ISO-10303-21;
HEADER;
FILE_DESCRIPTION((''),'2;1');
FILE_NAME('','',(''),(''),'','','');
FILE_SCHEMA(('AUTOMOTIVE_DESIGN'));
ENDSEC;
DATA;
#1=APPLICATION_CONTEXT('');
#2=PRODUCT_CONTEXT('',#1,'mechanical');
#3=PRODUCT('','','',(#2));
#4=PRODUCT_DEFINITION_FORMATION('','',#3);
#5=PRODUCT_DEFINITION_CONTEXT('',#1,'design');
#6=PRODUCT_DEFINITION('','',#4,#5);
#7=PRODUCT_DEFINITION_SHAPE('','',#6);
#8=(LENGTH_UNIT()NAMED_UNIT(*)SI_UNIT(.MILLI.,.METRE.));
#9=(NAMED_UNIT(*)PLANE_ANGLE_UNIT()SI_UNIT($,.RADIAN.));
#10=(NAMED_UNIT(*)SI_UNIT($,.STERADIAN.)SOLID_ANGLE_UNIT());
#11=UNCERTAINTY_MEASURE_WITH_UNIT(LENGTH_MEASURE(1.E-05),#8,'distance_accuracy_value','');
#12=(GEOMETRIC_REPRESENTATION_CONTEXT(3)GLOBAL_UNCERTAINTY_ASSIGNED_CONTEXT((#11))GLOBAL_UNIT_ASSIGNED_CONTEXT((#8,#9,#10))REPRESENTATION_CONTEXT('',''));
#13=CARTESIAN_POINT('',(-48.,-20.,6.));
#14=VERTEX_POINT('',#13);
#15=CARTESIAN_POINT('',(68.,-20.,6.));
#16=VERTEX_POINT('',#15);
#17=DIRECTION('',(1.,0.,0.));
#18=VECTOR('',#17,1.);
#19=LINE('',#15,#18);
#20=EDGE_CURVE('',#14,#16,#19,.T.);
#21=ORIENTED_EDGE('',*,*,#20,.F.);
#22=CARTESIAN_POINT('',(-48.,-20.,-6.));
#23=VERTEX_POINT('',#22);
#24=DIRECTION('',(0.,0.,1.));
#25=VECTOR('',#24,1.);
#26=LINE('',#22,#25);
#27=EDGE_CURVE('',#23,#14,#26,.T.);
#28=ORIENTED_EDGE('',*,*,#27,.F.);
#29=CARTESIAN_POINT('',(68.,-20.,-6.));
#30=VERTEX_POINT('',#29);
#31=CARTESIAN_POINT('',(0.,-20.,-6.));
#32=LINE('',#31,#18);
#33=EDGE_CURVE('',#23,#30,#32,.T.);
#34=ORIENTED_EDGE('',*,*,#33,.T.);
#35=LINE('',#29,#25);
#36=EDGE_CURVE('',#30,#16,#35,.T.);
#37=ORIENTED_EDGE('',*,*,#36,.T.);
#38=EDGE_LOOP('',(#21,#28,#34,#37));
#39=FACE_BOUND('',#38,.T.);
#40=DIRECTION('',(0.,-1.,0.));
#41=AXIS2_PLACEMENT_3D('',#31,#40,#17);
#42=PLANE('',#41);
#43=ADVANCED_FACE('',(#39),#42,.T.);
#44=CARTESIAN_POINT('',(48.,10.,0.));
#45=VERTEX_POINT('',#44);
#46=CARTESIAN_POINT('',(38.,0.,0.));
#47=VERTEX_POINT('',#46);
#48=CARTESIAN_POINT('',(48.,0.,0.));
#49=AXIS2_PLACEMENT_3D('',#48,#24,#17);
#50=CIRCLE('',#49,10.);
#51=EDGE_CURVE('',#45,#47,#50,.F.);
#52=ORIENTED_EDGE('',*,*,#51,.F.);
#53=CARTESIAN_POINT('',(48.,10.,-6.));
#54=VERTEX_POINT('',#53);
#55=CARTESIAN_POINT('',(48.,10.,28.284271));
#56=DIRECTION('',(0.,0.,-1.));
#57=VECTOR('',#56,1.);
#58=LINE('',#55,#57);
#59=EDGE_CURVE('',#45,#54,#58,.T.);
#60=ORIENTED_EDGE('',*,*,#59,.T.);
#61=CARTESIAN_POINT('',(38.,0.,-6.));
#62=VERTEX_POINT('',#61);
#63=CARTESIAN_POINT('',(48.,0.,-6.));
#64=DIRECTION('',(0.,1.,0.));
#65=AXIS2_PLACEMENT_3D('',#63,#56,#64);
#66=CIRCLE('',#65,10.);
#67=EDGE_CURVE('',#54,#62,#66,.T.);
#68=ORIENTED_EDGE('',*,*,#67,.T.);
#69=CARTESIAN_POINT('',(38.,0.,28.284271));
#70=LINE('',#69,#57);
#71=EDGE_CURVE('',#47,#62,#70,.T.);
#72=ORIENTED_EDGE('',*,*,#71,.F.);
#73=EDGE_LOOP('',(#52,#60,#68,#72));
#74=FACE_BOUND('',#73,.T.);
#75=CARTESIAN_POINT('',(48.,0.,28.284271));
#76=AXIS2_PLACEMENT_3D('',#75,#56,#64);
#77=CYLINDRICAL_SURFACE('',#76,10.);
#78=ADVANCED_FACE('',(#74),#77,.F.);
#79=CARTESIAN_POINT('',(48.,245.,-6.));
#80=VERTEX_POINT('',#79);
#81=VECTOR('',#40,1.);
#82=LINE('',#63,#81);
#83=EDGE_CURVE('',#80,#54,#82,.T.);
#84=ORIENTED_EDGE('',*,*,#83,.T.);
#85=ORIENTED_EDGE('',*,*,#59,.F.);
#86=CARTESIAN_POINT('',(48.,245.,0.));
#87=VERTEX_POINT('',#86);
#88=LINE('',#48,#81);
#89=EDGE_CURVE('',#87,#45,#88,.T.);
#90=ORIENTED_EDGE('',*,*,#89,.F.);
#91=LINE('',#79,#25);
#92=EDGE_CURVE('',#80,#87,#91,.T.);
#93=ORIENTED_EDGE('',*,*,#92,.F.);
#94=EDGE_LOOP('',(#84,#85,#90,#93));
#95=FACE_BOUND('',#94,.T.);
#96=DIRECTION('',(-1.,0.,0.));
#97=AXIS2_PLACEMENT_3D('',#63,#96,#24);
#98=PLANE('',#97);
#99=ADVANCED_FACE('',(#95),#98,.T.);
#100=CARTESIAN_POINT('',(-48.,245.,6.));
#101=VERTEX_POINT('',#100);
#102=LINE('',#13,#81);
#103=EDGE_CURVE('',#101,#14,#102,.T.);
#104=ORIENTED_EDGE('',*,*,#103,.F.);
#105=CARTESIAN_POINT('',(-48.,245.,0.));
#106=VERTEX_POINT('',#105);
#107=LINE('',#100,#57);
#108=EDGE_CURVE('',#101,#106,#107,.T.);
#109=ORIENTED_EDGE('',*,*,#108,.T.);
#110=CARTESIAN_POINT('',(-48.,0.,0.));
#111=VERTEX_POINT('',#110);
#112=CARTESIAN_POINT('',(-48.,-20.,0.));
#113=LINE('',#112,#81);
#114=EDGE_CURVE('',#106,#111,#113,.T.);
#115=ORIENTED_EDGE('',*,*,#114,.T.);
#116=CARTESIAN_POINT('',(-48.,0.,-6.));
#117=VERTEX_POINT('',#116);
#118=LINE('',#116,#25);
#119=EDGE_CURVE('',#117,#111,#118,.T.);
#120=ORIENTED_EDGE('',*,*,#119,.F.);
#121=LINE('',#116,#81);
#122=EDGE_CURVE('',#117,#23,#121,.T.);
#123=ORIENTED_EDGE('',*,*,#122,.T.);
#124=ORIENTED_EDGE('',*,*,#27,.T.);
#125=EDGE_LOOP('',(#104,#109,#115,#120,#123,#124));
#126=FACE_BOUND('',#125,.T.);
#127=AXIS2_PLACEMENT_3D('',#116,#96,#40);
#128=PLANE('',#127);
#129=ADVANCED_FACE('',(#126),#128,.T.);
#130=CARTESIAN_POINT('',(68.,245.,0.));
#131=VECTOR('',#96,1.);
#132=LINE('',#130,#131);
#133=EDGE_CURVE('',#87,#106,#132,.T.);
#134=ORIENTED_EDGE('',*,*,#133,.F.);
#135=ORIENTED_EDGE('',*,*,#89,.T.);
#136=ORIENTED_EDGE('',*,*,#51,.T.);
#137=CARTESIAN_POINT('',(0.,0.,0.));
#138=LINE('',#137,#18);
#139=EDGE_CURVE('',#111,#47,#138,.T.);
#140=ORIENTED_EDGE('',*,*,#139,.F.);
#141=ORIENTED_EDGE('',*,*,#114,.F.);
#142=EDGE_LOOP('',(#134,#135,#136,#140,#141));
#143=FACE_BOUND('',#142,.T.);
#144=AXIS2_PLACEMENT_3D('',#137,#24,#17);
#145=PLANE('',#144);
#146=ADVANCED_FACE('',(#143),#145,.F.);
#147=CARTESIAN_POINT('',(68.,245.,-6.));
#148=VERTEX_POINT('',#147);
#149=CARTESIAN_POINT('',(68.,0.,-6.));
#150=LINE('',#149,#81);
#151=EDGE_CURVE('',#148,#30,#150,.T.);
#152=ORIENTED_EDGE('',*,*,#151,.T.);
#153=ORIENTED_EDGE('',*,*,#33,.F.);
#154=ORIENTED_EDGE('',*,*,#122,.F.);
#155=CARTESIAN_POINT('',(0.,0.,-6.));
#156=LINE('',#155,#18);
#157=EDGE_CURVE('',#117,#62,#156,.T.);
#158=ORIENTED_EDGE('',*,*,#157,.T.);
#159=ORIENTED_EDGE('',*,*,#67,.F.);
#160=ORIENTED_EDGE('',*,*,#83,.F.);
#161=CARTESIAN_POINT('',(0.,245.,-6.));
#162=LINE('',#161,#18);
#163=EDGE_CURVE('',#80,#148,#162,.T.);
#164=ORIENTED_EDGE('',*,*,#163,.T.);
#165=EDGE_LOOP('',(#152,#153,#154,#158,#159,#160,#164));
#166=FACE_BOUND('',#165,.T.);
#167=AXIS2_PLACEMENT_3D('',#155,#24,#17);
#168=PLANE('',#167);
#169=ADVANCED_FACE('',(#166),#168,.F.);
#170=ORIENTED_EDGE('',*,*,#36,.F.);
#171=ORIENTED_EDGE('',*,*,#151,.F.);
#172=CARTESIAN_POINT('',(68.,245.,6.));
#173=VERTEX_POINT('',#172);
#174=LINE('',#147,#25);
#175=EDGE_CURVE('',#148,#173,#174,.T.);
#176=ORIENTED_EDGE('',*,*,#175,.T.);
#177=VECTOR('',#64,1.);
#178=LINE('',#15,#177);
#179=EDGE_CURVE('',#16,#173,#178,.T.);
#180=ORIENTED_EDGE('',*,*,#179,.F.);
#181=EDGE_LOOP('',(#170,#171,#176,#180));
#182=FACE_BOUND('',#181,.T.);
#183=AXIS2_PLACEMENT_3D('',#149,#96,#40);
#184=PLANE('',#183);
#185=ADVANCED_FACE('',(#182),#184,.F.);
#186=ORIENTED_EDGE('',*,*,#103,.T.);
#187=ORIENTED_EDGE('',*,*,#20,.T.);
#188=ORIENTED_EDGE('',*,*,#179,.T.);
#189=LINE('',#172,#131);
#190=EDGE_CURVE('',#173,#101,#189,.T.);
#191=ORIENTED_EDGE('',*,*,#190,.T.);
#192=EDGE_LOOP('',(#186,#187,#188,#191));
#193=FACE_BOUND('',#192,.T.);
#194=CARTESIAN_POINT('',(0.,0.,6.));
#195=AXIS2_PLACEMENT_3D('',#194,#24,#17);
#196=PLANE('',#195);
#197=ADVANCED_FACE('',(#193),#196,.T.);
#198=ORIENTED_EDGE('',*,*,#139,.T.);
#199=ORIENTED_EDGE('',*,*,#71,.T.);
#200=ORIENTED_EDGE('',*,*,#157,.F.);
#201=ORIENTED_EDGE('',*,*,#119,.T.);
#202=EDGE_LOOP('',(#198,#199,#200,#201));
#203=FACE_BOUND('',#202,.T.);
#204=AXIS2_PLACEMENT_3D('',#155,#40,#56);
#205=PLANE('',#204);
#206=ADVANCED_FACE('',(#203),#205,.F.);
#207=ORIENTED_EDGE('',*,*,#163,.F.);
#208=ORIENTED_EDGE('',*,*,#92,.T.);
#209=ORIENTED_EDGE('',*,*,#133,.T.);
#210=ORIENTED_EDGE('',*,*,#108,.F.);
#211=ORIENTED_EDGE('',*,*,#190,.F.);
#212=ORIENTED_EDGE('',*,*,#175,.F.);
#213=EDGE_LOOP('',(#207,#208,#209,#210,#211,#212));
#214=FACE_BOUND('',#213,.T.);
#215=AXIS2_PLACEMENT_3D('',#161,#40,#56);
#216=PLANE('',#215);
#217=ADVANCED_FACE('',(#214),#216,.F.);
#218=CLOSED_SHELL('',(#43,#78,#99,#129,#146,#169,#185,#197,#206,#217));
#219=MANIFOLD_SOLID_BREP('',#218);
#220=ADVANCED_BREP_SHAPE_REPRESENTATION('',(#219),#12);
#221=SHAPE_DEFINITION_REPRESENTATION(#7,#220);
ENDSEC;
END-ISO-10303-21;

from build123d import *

# Parameters (mm, degrees)
BOSS_EXTRUDE1_DEPTH = 6
SKETCH2_W           = 116
SKETCH2_H           = 265
BOSS_EXTRUDE2_DEPTH = 6
SKETCH3_R           = 10
CUT_EXTRUDE1_DEPTH  = 6


with BuildPart() as part:
    # Sketch1 → Boss-Extrude1 (new body)
    with BuildSketch(Plane.XY):
        Polygon((68, 245), (48, 245), (48, 0), (-48, 0), (-48, -20), (68, -20), align=None)
    extrude(amount=-BOSS_EXTRUDE1_DEPTH)

    # Sketch2 → Boss-Extrude2 (add)
    with BuildSketch(Plane.XY):
        with Locations((10, 112.5)):
            Rectangle(SKETCH2_W, SKETCH2_H)
    extrude(amount=BOSS_EXTRUDE2_DEPTH)

    # Sketch3 → Cut-Extrude1 (cut)
    with BuildSketch(Plane(origin=(0, 0, -6), x_dir=(-1, 0, 0), z_dir=(0, 0, -1))):
        with Locations((-48, 0)):
            Circle(SKETCH3_R)
    extrude(amount=-CUT_EXTRUDE1_DEPTH, mode=Mode.SUBTRACT)


solid = part.part
